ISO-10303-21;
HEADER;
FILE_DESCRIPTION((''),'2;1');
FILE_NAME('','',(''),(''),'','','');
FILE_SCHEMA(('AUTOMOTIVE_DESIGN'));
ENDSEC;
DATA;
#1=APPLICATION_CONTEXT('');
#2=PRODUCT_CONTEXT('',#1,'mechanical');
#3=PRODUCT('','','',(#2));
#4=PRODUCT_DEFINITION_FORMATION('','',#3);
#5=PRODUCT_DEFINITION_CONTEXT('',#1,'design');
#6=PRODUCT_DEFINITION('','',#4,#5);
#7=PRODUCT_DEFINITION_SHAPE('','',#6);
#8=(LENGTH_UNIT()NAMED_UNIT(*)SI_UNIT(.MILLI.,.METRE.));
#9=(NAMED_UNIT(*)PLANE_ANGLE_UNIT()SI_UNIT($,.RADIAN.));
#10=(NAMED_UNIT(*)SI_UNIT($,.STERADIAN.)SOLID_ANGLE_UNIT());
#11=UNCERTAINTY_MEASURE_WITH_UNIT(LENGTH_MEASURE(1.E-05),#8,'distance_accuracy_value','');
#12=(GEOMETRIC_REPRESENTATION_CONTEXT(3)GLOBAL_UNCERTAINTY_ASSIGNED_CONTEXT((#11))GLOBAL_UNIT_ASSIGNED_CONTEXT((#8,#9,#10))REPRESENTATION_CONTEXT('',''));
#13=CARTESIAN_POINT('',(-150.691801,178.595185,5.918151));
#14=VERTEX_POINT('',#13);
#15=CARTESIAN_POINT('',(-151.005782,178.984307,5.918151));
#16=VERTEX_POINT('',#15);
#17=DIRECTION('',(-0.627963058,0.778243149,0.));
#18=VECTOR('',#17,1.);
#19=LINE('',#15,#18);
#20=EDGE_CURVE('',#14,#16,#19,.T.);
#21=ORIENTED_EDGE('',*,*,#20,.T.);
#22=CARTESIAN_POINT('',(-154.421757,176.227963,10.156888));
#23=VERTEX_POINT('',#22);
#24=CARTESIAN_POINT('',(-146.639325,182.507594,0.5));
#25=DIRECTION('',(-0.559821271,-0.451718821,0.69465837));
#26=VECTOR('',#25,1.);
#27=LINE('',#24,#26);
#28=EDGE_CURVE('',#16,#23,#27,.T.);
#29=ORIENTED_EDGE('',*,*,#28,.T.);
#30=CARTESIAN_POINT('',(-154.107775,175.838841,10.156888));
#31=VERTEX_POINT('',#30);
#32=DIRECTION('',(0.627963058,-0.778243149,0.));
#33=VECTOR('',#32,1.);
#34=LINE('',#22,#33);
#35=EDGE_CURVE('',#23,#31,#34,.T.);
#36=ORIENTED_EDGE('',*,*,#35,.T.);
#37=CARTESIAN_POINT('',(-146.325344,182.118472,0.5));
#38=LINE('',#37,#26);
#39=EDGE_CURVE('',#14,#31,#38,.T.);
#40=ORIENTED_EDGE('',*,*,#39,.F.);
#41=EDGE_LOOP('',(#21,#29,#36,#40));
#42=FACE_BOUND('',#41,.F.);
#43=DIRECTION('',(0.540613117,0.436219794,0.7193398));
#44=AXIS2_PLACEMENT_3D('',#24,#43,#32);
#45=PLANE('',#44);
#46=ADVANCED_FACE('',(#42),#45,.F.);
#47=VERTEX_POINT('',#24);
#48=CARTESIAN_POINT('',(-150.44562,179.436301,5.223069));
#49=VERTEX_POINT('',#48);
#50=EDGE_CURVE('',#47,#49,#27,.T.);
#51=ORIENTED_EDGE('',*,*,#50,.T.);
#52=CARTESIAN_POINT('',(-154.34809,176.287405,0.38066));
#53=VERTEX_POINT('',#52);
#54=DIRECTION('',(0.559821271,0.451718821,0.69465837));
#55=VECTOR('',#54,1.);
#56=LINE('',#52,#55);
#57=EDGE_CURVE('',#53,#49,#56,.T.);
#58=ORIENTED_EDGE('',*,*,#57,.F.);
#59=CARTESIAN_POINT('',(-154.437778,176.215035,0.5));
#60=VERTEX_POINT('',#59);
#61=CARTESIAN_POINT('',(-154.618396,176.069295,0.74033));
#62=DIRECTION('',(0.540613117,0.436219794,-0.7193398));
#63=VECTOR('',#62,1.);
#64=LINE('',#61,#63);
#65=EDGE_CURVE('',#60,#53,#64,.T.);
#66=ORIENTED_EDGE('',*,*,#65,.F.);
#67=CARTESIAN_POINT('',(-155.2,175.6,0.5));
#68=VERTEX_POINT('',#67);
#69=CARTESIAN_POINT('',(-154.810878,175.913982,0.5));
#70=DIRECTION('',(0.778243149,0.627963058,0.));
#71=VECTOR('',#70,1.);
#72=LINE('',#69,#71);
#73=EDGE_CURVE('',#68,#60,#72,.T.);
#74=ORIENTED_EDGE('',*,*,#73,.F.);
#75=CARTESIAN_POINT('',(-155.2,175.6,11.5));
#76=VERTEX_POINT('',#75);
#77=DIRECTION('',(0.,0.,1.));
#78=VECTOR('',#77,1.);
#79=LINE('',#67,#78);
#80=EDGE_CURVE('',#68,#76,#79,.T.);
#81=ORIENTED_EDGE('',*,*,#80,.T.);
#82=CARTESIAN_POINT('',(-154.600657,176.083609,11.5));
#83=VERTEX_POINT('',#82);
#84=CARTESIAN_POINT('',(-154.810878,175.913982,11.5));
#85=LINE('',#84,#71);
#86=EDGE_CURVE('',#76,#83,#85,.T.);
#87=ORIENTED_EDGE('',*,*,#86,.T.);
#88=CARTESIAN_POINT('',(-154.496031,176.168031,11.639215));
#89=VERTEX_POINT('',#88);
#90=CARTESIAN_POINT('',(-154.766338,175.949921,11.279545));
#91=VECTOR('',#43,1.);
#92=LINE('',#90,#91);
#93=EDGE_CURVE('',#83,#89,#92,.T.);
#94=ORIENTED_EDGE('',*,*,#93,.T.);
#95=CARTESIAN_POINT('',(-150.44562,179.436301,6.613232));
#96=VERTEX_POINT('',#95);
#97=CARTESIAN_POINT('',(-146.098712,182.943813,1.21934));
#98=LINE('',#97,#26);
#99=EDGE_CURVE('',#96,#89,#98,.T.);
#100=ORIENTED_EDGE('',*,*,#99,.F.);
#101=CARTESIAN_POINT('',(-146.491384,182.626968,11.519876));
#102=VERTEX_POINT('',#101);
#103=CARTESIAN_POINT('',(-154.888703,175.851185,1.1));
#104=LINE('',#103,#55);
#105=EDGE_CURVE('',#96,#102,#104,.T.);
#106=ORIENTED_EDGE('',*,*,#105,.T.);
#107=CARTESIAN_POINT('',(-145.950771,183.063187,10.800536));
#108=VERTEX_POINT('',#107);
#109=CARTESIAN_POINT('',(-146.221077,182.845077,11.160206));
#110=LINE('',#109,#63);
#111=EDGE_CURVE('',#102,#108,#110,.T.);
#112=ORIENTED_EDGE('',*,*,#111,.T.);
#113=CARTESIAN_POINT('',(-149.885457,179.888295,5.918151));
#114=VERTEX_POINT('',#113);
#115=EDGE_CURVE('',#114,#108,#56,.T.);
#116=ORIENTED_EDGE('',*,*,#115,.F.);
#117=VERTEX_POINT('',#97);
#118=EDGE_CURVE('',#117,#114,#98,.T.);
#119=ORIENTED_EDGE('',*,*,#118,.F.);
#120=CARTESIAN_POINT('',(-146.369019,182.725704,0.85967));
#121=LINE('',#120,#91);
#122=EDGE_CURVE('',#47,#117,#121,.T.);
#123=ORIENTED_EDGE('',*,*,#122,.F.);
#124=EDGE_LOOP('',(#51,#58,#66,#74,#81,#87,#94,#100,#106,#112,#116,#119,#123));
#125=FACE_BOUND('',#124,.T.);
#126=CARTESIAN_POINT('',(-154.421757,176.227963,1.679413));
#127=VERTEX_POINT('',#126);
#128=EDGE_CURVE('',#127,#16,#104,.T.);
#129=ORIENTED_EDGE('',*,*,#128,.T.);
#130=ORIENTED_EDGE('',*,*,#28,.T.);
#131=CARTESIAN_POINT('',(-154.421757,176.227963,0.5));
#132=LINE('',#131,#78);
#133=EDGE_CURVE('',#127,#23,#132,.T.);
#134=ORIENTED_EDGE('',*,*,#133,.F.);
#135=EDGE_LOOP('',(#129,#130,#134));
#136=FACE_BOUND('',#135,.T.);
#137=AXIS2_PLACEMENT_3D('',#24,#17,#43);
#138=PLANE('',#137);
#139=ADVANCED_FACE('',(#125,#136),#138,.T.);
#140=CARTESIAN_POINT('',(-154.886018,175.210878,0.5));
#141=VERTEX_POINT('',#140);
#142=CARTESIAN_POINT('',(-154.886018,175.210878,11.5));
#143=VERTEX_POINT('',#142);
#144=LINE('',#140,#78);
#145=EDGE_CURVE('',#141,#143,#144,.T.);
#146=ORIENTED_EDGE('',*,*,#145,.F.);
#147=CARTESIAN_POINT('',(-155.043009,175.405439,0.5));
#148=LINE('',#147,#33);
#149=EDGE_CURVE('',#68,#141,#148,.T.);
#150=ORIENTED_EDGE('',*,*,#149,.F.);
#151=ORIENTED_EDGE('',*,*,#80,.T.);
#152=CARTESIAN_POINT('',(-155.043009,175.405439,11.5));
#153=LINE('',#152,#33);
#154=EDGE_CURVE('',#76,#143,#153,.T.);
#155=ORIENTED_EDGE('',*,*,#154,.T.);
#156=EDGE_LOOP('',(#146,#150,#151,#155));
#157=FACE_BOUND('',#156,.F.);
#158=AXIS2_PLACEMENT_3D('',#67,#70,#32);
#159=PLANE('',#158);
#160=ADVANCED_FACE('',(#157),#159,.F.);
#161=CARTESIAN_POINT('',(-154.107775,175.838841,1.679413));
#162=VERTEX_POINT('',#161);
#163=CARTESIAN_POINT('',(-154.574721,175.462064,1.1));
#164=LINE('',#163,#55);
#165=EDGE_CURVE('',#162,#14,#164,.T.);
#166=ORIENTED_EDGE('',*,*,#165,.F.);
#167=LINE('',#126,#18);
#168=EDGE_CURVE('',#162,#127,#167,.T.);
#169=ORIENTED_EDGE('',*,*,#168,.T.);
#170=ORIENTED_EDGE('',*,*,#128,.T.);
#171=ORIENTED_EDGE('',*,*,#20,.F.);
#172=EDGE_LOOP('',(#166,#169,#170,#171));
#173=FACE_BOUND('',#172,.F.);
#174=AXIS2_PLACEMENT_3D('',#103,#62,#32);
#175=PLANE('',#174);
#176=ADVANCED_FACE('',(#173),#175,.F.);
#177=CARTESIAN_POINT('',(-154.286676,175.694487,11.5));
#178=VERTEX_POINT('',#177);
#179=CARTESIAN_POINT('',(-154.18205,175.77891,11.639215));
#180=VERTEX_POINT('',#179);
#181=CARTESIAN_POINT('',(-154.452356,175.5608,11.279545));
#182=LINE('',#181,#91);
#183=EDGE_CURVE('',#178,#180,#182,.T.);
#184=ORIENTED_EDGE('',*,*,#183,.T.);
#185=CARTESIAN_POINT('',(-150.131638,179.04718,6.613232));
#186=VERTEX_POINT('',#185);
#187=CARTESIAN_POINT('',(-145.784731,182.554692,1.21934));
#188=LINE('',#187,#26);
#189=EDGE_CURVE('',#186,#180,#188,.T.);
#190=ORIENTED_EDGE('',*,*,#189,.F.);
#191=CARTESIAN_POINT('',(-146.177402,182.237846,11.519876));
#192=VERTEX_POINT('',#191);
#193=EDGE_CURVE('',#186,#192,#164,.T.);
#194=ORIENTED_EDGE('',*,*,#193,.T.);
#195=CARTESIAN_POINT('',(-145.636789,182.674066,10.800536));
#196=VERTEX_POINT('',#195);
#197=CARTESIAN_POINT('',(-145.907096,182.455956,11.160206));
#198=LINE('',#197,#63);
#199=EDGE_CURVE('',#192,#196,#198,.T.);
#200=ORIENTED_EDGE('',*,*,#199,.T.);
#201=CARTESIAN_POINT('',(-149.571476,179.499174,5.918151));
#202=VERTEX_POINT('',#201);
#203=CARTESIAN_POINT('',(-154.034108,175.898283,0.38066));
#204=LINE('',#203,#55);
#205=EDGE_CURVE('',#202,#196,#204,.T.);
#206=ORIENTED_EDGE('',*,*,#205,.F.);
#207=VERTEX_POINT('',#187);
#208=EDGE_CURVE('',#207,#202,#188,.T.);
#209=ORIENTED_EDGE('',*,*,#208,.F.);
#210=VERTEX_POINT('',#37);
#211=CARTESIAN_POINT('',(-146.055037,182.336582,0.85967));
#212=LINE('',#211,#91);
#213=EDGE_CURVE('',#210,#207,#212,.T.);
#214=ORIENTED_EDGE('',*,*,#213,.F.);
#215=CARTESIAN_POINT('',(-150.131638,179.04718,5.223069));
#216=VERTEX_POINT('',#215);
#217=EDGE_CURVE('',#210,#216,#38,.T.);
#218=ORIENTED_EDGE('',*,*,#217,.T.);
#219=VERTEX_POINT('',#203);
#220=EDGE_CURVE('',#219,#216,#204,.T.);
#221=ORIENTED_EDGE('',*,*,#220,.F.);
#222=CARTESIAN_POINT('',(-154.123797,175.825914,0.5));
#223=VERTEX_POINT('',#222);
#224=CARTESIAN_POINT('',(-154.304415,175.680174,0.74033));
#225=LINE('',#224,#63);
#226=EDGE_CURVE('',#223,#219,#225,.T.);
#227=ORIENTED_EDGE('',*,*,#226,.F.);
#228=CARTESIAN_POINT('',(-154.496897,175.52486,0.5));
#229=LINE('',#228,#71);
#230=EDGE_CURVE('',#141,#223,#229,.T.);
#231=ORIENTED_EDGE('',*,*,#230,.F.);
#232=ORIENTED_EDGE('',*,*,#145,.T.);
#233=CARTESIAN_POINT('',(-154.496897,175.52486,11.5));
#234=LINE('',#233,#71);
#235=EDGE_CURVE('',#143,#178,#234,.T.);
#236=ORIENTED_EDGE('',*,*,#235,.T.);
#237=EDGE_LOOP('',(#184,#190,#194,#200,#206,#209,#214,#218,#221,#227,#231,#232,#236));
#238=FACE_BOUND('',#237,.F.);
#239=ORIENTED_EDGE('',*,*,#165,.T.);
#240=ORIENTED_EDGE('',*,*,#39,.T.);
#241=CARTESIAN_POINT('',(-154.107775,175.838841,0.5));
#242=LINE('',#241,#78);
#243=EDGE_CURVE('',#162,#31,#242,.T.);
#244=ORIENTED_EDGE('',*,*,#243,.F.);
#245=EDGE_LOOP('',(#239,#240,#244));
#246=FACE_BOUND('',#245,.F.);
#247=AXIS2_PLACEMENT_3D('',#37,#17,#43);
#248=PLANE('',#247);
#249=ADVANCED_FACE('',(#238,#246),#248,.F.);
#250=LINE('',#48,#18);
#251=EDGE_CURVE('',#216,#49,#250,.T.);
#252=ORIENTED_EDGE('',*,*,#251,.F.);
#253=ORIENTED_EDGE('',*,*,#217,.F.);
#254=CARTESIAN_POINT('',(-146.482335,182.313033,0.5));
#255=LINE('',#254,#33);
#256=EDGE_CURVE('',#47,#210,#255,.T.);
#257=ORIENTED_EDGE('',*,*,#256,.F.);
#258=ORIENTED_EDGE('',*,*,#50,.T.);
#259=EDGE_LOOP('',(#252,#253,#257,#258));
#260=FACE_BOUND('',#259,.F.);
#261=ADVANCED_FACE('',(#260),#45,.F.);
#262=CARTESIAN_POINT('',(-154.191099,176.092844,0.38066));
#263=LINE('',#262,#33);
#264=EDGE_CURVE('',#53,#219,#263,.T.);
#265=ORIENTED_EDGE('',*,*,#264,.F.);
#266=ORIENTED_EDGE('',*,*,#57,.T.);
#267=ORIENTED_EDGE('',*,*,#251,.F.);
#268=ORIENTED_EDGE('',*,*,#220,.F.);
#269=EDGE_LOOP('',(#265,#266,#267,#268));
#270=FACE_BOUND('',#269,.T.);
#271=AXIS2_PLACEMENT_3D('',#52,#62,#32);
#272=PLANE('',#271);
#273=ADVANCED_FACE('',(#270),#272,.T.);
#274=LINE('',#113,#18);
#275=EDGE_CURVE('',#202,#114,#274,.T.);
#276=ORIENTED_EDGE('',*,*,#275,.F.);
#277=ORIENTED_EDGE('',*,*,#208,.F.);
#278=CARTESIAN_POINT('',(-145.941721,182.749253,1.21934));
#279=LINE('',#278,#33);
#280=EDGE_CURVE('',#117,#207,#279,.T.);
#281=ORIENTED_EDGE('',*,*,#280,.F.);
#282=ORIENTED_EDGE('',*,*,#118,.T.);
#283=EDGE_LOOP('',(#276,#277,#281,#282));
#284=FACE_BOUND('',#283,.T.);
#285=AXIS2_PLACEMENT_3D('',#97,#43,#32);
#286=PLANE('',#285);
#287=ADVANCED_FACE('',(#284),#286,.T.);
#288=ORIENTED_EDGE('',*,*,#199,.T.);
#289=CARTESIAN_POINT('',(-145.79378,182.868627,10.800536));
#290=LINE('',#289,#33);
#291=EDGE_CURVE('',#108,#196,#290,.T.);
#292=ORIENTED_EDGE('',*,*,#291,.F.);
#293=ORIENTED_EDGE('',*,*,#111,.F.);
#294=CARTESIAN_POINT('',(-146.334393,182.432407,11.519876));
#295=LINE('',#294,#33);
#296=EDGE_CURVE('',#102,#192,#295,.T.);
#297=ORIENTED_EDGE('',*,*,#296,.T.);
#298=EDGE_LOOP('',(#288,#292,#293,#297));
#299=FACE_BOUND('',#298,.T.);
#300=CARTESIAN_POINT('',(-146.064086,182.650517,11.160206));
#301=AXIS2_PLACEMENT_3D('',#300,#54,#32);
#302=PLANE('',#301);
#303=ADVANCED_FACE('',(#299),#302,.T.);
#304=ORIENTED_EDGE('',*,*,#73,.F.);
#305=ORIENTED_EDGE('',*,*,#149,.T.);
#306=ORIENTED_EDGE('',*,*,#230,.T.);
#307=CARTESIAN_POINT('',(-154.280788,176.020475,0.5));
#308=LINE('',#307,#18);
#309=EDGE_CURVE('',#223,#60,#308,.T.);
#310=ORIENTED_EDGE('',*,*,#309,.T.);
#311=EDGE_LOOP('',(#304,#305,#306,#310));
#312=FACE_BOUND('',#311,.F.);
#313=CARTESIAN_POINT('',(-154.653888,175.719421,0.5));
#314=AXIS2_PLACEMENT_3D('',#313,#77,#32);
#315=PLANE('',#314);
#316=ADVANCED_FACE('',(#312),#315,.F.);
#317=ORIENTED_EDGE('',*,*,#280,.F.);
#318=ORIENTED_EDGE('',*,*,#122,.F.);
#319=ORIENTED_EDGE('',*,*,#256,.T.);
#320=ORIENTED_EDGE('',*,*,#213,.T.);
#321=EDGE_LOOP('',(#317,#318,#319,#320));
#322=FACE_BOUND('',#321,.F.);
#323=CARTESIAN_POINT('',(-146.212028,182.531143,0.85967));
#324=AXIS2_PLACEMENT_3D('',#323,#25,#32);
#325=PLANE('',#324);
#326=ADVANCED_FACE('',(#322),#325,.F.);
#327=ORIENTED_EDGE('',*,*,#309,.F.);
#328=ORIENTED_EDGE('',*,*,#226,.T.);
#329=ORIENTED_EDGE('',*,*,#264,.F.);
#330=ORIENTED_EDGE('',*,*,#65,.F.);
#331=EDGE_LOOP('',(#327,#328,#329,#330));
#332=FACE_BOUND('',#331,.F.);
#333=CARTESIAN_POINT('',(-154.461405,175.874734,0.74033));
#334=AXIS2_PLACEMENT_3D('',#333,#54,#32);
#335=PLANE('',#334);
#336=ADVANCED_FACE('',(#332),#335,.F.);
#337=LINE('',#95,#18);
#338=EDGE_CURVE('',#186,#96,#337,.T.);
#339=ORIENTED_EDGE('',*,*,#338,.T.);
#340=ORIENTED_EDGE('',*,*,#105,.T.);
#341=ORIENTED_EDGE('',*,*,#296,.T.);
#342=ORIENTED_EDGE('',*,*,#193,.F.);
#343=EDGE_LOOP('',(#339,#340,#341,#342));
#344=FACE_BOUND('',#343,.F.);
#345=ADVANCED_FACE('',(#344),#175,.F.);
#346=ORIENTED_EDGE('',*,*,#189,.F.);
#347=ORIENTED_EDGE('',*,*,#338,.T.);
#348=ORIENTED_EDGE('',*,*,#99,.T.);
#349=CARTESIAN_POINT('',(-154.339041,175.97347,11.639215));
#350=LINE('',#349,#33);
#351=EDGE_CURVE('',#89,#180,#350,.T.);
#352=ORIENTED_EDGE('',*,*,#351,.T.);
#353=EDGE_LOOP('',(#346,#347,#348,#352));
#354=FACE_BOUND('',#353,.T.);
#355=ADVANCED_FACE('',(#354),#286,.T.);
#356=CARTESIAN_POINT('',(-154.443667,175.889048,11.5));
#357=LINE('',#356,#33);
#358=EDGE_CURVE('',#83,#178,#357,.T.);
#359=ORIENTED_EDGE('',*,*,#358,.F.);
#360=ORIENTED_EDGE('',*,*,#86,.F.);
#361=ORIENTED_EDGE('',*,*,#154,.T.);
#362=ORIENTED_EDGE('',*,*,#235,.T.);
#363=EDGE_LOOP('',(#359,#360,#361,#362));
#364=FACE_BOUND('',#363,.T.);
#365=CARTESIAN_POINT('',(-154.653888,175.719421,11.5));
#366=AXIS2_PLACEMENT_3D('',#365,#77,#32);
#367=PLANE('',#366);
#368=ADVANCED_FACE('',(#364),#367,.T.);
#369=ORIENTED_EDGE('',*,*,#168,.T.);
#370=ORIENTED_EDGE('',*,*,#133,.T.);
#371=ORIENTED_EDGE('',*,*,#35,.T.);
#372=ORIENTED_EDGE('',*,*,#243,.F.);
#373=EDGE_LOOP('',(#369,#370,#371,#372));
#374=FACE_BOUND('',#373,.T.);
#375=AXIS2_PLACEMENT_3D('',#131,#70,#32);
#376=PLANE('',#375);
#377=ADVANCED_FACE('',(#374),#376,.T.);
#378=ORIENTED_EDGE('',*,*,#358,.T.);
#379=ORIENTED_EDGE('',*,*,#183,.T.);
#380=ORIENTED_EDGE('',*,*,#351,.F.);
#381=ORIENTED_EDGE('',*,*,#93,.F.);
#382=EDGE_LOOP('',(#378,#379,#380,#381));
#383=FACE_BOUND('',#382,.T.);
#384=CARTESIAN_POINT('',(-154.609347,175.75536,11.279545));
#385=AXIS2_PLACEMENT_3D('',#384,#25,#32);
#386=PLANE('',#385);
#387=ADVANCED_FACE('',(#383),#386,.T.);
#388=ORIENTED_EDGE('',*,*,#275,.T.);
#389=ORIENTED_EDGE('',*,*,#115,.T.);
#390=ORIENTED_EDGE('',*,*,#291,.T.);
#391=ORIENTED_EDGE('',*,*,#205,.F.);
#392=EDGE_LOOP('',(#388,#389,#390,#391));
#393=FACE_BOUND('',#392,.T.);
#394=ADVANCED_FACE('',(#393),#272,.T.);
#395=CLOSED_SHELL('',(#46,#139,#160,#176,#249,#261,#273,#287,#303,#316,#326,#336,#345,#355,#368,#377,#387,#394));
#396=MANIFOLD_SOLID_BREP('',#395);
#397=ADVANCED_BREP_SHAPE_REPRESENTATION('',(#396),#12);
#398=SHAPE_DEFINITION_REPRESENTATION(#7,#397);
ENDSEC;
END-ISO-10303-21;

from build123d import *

# Parameters (mm, degrees)
BOX247_W                  = 0.5
BOX247_H                  = 1
BOX247_DEPTH              = 15
BOX247_ROLL_ANGLE         = 46
BOX248_W                  = 0.5
BOX248_H                  = 1
BOX248_DEPTH              = 15
BOX248_ROLL_ANGLE         = -46
BOX246_W                  = 0.5
BOX246_H                  = 1
BOX246_DEPTH              = 11
FUSION025_PLACEMENT_ANGLE = -51.1


with BuildPart() as cubo247:
    # Box247 → Box247 (new body)
    with BuildSketch(Plane.XY):
        with Locations((0.25, 0.5)):
            Rectangle(BOX247_W, BOX247_H)
    extrude(amount=BOX247_DEPTH)


with BuildPart() as cubo247_1:
    # Box247 roll: moved
    add(cubo247.part.rotate(Axis((0, 0, 0), (1, 0, 0)), BOX247_ROLL_ANGLE))


with BuildPart() as cubo247_2:
    # Box247 placement: moved
    add(cubo247_1.part.moved(Location((0, 11, 0.5))))


with BuildPart() as cubo248:
    # Box248 → Box248 (new body)
    with BuildSketch(Plane.XY):
        with Locations((0.25, 0.5)):
            Rectangle(BOX248_W, BOX248_H)
    extrude(amount=BOX248_DEPTH)


with BuildPart() as cubo248_1:
    # Box248 roll: moved
    add(cubo248.part.rotate(Axis((0, 0, 0), (1, 0, 0)), BOX248_ROLL_ANGLE))


with BuildPart() as cubo248_2:
    # Box248 placement: moved
    add(cubo248_1.part.moved(Location((0, 0.4, 1.1))))


with BuildPart() as fusion025:
    # Box246 → Box246 (new body)
    with BuildSketch(Plane.XY.offset(0.5)):
        with Locations((0.25, 0.5)):
            Rectangle(BOX246_W, BOX246_H)
    extrude(amount=BOX246_DEPTH)

    # Fusion025: union Cubo247, Cubo248
    add(cubo247_2.part)
    add(cubo248_2.part)


with BuildPart() as fusion025_1:
    # Fusion025 placement: moved
    add(fusion025.part.moved(Location((-155.2, 175.6, 0))).rotate(Axis((-155.2, 175.6, 0), (0, 0, 1)), FUSION025_PLACEMENT_ANGLE))


solid = fusion025_1.part
